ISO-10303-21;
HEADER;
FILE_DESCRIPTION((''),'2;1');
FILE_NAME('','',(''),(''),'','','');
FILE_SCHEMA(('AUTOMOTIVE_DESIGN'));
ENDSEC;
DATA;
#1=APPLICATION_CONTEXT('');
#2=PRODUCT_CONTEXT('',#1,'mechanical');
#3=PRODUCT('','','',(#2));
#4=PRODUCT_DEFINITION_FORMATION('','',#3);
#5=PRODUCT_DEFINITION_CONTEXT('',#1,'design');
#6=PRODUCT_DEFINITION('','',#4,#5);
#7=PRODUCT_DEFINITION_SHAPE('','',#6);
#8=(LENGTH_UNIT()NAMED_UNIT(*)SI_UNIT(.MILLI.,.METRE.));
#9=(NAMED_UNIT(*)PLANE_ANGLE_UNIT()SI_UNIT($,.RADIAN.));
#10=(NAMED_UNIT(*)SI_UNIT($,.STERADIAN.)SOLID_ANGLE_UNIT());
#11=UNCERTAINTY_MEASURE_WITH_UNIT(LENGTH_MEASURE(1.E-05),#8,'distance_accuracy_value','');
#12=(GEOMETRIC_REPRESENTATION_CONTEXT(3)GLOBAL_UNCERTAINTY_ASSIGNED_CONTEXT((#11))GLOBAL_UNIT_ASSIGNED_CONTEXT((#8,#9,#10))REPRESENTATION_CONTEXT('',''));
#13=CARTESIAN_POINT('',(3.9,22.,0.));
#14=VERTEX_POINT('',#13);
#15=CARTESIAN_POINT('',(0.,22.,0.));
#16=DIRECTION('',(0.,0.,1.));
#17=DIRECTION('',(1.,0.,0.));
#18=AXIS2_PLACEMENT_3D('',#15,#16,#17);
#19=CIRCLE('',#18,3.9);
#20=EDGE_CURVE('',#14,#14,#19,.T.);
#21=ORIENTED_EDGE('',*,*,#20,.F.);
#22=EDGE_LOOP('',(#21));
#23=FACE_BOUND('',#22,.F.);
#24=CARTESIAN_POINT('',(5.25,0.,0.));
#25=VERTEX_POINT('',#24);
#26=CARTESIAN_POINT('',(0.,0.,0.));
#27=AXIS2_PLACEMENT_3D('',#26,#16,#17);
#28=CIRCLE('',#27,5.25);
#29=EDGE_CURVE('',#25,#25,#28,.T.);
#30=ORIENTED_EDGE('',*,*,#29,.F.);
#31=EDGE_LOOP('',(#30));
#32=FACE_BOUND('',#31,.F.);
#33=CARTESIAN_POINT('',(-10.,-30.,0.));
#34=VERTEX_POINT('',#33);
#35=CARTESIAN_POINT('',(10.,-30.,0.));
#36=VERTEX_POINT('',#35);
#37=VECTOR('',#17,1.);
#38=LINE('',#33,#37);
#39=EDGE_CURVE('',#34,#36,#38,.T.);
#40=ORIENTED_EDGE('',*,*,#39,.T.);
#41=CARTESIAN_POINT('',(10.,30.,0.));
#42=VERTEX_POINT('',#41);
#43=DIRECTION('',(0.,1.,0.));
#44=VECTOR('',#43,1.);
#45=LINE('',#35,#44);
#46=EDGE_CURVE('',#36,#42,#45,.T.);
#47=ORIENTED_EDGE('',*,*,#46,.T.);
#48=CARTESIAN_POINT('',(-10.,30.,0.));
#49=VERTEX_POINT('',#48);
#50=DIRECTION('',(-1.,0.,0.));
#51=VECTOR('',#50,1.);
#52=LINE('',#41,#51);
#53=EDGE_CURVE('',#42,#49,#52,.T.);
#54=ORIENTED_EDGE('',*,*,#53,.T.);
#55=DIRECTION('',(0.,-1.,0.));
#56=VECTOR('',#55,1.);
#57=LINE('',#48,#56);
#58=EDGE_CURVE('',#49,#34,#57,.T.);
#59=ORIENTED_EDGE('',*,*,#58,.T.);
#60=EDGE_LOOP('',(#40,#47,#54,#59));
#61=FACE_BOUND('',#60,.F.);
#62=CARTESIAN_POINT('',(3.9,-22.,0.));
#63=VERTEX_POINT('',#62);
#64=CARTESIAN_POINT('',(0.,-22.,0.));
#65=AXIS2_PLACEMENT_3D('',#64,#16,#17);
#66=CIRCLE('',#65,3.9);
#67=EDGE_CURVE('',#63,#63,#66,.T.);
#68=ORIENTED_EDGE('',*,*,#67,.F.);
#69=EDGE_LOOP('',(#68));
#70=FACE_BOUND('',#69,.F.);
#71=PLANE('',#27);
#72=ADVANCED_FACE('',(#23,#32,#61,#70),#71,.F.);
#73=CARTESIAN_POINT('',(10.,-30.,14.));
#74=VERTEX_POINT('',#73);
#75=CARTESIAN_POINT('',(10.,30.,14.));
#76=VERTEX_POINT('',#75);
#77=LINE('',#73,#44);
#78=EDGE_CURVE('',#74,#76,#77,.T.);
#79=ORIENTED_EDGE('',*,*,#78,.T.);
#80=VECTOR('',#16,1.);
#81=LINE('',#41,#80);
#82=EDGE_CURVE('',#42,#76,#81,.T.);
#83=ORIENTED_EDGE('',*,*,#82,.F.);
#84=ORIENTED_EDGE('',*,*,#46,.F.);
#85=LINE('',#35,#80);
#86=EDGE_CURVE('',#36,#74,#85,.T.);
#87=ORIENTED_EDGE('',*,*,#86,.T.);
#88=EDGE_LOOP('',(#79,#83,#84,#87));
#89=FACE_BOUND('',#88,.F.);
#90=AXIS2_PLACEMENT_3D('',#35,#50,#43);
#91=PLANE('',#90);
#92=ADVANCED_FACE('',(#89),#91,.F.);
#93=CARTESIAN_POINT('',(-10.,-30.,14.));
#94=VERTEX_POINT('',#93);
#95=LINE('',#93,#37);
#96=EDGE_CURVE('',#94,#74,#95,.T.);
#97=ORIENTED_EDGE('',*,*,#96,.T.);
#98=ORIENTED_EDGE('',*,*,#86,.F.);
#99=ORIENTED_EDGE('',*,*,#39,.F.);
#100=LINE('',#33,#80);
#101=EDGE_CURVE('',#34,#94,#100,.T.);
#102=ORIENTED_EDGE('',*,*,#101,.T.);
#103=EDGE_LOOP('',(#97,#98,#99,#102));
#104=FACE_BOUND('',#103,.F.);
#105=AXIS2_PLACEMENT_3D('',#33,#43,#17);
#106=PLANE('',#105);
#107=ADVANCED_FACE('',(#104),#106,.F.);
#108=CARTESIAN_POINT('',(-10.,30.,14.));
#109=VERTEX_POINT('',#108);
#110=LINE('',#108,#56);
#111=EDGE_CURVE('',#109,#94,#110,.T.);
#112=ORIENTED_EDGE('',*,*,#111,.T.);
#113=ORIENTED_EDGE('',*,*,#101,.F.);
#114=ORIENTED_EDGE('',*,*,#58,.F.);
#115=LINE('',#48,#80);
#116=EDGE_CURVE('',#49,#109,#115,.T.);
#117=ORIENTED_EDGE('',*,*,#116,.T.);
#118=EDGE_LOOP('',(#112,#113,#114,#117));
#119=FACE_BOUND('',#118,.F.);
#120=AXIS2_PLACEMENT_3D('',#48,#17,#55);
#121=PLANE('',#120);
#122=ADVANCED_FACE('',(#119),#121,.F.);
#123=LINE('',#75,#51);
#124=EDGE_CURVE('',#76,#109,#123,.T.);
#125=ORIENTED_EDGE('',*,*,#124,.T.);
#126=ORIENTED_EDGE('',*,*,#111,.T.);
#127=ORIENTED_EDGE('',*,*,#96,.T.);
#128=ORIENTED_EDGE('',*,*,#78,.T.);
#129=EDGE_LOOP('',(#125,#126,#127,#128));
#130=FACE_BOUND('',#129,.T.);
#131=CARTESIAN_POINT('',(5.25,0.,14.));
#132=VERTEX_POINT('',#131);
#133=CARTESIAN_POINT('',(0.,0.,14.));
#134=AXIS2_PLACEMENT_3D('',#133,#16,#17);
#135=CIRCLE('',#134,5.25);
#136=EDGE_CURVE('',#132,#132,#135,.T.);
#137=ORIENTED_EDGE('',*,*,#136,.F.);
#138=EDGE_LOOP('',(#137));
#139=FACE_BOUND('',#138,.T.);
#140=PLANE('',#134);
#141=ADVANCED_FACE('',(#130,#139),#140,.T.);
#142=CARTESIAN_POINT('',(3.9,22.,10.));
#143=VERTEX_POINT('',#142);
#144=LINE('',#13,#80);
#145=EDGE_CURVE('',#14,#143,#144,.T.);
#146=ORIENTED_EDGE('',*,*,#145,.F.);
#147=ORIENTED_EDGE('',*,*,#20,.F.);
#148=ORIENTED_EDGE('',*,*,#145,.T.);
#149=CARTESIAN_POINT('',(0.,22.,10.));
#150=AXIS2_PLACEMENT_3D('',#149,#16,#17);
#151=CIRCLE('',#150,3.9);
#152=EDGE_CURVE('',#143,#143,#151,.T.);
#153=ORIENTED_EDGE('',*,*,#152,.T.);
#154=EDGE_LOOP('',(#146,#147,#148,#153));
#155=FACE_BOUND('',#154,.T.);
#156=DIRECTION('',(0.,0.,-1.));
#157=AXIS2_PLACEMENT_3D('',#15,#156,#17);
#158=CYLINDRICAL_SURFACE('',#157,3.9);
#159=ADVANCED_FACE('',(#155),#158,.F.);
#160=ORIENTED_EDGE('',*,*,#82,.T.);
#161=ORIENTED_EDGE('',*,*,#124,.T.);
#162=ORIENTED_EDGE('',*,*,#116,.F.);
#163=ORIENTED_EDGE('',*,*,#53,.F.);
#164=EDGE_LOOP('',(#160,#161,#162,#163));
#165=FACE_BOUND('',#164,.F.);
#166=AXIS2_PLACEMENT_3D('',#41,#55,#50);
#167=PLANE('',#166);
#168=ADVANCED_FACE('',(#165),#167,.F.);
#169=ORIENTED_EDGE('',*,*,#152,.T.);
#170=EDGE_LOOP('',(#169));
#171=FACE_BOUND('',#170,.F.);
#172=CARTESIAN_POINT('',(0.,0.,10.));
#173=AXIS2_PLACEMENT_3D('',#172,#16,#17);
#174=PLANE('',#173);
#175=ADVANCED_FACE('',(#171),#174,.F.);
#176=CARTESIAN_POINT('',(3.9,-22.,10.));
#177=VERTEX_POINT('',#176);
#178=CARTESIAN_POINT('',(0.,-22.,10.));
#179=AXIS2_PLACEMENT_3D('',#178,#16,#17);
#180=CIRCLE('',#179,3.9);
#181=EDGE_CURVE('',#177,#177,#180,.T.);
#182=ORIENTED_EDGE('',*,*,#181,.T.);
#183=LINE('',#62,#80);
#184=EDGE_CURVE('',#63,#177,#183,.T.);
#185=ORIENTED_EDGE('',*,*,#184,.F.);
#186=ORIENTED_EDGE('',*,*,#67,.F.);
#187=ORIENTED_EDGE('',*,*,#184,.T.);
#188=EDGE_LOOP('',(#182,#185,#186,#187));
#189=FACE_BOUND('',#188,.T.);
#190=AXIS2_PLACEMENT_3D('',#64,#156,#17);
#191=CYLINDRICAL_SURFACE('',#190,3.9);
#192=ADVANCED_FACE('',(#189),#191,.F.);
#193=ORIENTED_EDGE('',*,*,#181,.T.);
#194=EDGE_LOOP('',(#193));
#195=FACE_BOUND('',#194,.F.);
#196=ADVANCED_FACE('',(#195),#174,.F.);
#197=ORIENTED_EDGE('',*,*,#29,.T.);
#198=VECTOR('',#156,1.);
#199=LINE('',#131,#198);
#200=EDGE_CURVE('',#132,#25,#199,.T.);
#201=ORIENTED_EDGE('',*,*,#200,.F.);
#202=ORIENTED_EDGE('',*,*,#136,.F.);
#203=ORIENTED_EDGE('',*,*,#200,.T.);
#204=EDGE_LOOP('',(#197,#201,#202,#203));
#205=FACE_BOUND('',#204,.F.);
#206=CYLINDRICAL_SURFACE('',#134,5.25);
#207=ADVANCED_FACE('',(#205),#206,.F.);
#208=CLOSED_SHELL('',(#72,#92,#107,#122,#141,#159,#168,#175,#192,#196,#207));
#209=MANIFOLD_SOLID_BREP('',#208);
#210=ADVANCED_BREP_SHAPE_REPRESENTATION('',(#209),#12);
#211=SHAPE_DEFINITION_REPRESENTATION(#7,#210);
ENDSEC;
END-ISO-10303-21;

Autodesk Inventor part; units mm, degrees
ref_plane "YZ Plane" through (0, 0, 0) normal (1, 0, 0) x (0, 1, 0)
ref_plane "XZ Plane" through (0, 0, 0) normal (0, 1, 0) x (-1, 0, 0)
sketch "Skizze1" plane through (0, 0, 0) normal (0, 0, 1) x (1, 0, 0)
  line L0 (-10, -30) -> (10, -30)
  line L1 (10, -30) -> (10, 30)
  line L2 (10, 30) -> (-10, 30)
  line L3 (-10, 30) -> (-10, -30)
extrude "Extrusion1" add sketch "Skizze1" along normal blind 14
sketch "Skizze2" plane through (0, 0, 0) normal (0, 0, 1) x (1, 0, 0)
  circle A0 centre (0, -22) radius 3.9
extrude "Extrusion2" cut sketch "Skizze2" along normal blind 10
sketch "Skizze3" plane through (0, 0, 0) normal (0, 0, 1) x (1, 0, 0)
  circle A0 centre (0, 22) radius 3.9
extrude "Extrusion3" cut sketch "Skizze3" along normal blind 10
ref_plane "Arbeitsebene1" through (0, 0, 14) normal (0, 0, 1) x (1, 0, 0)
sketch "Skizze4" plane through (0, 0, 14) normal (0, 0, 1) x (1, 0, 0)
  circle A0 centre (0, 0) radius 5.25
extrude "Extrusion4" cut sketch "Skizze4" against normal blind 14.2
properties part number "Kopf_Bruecke"
